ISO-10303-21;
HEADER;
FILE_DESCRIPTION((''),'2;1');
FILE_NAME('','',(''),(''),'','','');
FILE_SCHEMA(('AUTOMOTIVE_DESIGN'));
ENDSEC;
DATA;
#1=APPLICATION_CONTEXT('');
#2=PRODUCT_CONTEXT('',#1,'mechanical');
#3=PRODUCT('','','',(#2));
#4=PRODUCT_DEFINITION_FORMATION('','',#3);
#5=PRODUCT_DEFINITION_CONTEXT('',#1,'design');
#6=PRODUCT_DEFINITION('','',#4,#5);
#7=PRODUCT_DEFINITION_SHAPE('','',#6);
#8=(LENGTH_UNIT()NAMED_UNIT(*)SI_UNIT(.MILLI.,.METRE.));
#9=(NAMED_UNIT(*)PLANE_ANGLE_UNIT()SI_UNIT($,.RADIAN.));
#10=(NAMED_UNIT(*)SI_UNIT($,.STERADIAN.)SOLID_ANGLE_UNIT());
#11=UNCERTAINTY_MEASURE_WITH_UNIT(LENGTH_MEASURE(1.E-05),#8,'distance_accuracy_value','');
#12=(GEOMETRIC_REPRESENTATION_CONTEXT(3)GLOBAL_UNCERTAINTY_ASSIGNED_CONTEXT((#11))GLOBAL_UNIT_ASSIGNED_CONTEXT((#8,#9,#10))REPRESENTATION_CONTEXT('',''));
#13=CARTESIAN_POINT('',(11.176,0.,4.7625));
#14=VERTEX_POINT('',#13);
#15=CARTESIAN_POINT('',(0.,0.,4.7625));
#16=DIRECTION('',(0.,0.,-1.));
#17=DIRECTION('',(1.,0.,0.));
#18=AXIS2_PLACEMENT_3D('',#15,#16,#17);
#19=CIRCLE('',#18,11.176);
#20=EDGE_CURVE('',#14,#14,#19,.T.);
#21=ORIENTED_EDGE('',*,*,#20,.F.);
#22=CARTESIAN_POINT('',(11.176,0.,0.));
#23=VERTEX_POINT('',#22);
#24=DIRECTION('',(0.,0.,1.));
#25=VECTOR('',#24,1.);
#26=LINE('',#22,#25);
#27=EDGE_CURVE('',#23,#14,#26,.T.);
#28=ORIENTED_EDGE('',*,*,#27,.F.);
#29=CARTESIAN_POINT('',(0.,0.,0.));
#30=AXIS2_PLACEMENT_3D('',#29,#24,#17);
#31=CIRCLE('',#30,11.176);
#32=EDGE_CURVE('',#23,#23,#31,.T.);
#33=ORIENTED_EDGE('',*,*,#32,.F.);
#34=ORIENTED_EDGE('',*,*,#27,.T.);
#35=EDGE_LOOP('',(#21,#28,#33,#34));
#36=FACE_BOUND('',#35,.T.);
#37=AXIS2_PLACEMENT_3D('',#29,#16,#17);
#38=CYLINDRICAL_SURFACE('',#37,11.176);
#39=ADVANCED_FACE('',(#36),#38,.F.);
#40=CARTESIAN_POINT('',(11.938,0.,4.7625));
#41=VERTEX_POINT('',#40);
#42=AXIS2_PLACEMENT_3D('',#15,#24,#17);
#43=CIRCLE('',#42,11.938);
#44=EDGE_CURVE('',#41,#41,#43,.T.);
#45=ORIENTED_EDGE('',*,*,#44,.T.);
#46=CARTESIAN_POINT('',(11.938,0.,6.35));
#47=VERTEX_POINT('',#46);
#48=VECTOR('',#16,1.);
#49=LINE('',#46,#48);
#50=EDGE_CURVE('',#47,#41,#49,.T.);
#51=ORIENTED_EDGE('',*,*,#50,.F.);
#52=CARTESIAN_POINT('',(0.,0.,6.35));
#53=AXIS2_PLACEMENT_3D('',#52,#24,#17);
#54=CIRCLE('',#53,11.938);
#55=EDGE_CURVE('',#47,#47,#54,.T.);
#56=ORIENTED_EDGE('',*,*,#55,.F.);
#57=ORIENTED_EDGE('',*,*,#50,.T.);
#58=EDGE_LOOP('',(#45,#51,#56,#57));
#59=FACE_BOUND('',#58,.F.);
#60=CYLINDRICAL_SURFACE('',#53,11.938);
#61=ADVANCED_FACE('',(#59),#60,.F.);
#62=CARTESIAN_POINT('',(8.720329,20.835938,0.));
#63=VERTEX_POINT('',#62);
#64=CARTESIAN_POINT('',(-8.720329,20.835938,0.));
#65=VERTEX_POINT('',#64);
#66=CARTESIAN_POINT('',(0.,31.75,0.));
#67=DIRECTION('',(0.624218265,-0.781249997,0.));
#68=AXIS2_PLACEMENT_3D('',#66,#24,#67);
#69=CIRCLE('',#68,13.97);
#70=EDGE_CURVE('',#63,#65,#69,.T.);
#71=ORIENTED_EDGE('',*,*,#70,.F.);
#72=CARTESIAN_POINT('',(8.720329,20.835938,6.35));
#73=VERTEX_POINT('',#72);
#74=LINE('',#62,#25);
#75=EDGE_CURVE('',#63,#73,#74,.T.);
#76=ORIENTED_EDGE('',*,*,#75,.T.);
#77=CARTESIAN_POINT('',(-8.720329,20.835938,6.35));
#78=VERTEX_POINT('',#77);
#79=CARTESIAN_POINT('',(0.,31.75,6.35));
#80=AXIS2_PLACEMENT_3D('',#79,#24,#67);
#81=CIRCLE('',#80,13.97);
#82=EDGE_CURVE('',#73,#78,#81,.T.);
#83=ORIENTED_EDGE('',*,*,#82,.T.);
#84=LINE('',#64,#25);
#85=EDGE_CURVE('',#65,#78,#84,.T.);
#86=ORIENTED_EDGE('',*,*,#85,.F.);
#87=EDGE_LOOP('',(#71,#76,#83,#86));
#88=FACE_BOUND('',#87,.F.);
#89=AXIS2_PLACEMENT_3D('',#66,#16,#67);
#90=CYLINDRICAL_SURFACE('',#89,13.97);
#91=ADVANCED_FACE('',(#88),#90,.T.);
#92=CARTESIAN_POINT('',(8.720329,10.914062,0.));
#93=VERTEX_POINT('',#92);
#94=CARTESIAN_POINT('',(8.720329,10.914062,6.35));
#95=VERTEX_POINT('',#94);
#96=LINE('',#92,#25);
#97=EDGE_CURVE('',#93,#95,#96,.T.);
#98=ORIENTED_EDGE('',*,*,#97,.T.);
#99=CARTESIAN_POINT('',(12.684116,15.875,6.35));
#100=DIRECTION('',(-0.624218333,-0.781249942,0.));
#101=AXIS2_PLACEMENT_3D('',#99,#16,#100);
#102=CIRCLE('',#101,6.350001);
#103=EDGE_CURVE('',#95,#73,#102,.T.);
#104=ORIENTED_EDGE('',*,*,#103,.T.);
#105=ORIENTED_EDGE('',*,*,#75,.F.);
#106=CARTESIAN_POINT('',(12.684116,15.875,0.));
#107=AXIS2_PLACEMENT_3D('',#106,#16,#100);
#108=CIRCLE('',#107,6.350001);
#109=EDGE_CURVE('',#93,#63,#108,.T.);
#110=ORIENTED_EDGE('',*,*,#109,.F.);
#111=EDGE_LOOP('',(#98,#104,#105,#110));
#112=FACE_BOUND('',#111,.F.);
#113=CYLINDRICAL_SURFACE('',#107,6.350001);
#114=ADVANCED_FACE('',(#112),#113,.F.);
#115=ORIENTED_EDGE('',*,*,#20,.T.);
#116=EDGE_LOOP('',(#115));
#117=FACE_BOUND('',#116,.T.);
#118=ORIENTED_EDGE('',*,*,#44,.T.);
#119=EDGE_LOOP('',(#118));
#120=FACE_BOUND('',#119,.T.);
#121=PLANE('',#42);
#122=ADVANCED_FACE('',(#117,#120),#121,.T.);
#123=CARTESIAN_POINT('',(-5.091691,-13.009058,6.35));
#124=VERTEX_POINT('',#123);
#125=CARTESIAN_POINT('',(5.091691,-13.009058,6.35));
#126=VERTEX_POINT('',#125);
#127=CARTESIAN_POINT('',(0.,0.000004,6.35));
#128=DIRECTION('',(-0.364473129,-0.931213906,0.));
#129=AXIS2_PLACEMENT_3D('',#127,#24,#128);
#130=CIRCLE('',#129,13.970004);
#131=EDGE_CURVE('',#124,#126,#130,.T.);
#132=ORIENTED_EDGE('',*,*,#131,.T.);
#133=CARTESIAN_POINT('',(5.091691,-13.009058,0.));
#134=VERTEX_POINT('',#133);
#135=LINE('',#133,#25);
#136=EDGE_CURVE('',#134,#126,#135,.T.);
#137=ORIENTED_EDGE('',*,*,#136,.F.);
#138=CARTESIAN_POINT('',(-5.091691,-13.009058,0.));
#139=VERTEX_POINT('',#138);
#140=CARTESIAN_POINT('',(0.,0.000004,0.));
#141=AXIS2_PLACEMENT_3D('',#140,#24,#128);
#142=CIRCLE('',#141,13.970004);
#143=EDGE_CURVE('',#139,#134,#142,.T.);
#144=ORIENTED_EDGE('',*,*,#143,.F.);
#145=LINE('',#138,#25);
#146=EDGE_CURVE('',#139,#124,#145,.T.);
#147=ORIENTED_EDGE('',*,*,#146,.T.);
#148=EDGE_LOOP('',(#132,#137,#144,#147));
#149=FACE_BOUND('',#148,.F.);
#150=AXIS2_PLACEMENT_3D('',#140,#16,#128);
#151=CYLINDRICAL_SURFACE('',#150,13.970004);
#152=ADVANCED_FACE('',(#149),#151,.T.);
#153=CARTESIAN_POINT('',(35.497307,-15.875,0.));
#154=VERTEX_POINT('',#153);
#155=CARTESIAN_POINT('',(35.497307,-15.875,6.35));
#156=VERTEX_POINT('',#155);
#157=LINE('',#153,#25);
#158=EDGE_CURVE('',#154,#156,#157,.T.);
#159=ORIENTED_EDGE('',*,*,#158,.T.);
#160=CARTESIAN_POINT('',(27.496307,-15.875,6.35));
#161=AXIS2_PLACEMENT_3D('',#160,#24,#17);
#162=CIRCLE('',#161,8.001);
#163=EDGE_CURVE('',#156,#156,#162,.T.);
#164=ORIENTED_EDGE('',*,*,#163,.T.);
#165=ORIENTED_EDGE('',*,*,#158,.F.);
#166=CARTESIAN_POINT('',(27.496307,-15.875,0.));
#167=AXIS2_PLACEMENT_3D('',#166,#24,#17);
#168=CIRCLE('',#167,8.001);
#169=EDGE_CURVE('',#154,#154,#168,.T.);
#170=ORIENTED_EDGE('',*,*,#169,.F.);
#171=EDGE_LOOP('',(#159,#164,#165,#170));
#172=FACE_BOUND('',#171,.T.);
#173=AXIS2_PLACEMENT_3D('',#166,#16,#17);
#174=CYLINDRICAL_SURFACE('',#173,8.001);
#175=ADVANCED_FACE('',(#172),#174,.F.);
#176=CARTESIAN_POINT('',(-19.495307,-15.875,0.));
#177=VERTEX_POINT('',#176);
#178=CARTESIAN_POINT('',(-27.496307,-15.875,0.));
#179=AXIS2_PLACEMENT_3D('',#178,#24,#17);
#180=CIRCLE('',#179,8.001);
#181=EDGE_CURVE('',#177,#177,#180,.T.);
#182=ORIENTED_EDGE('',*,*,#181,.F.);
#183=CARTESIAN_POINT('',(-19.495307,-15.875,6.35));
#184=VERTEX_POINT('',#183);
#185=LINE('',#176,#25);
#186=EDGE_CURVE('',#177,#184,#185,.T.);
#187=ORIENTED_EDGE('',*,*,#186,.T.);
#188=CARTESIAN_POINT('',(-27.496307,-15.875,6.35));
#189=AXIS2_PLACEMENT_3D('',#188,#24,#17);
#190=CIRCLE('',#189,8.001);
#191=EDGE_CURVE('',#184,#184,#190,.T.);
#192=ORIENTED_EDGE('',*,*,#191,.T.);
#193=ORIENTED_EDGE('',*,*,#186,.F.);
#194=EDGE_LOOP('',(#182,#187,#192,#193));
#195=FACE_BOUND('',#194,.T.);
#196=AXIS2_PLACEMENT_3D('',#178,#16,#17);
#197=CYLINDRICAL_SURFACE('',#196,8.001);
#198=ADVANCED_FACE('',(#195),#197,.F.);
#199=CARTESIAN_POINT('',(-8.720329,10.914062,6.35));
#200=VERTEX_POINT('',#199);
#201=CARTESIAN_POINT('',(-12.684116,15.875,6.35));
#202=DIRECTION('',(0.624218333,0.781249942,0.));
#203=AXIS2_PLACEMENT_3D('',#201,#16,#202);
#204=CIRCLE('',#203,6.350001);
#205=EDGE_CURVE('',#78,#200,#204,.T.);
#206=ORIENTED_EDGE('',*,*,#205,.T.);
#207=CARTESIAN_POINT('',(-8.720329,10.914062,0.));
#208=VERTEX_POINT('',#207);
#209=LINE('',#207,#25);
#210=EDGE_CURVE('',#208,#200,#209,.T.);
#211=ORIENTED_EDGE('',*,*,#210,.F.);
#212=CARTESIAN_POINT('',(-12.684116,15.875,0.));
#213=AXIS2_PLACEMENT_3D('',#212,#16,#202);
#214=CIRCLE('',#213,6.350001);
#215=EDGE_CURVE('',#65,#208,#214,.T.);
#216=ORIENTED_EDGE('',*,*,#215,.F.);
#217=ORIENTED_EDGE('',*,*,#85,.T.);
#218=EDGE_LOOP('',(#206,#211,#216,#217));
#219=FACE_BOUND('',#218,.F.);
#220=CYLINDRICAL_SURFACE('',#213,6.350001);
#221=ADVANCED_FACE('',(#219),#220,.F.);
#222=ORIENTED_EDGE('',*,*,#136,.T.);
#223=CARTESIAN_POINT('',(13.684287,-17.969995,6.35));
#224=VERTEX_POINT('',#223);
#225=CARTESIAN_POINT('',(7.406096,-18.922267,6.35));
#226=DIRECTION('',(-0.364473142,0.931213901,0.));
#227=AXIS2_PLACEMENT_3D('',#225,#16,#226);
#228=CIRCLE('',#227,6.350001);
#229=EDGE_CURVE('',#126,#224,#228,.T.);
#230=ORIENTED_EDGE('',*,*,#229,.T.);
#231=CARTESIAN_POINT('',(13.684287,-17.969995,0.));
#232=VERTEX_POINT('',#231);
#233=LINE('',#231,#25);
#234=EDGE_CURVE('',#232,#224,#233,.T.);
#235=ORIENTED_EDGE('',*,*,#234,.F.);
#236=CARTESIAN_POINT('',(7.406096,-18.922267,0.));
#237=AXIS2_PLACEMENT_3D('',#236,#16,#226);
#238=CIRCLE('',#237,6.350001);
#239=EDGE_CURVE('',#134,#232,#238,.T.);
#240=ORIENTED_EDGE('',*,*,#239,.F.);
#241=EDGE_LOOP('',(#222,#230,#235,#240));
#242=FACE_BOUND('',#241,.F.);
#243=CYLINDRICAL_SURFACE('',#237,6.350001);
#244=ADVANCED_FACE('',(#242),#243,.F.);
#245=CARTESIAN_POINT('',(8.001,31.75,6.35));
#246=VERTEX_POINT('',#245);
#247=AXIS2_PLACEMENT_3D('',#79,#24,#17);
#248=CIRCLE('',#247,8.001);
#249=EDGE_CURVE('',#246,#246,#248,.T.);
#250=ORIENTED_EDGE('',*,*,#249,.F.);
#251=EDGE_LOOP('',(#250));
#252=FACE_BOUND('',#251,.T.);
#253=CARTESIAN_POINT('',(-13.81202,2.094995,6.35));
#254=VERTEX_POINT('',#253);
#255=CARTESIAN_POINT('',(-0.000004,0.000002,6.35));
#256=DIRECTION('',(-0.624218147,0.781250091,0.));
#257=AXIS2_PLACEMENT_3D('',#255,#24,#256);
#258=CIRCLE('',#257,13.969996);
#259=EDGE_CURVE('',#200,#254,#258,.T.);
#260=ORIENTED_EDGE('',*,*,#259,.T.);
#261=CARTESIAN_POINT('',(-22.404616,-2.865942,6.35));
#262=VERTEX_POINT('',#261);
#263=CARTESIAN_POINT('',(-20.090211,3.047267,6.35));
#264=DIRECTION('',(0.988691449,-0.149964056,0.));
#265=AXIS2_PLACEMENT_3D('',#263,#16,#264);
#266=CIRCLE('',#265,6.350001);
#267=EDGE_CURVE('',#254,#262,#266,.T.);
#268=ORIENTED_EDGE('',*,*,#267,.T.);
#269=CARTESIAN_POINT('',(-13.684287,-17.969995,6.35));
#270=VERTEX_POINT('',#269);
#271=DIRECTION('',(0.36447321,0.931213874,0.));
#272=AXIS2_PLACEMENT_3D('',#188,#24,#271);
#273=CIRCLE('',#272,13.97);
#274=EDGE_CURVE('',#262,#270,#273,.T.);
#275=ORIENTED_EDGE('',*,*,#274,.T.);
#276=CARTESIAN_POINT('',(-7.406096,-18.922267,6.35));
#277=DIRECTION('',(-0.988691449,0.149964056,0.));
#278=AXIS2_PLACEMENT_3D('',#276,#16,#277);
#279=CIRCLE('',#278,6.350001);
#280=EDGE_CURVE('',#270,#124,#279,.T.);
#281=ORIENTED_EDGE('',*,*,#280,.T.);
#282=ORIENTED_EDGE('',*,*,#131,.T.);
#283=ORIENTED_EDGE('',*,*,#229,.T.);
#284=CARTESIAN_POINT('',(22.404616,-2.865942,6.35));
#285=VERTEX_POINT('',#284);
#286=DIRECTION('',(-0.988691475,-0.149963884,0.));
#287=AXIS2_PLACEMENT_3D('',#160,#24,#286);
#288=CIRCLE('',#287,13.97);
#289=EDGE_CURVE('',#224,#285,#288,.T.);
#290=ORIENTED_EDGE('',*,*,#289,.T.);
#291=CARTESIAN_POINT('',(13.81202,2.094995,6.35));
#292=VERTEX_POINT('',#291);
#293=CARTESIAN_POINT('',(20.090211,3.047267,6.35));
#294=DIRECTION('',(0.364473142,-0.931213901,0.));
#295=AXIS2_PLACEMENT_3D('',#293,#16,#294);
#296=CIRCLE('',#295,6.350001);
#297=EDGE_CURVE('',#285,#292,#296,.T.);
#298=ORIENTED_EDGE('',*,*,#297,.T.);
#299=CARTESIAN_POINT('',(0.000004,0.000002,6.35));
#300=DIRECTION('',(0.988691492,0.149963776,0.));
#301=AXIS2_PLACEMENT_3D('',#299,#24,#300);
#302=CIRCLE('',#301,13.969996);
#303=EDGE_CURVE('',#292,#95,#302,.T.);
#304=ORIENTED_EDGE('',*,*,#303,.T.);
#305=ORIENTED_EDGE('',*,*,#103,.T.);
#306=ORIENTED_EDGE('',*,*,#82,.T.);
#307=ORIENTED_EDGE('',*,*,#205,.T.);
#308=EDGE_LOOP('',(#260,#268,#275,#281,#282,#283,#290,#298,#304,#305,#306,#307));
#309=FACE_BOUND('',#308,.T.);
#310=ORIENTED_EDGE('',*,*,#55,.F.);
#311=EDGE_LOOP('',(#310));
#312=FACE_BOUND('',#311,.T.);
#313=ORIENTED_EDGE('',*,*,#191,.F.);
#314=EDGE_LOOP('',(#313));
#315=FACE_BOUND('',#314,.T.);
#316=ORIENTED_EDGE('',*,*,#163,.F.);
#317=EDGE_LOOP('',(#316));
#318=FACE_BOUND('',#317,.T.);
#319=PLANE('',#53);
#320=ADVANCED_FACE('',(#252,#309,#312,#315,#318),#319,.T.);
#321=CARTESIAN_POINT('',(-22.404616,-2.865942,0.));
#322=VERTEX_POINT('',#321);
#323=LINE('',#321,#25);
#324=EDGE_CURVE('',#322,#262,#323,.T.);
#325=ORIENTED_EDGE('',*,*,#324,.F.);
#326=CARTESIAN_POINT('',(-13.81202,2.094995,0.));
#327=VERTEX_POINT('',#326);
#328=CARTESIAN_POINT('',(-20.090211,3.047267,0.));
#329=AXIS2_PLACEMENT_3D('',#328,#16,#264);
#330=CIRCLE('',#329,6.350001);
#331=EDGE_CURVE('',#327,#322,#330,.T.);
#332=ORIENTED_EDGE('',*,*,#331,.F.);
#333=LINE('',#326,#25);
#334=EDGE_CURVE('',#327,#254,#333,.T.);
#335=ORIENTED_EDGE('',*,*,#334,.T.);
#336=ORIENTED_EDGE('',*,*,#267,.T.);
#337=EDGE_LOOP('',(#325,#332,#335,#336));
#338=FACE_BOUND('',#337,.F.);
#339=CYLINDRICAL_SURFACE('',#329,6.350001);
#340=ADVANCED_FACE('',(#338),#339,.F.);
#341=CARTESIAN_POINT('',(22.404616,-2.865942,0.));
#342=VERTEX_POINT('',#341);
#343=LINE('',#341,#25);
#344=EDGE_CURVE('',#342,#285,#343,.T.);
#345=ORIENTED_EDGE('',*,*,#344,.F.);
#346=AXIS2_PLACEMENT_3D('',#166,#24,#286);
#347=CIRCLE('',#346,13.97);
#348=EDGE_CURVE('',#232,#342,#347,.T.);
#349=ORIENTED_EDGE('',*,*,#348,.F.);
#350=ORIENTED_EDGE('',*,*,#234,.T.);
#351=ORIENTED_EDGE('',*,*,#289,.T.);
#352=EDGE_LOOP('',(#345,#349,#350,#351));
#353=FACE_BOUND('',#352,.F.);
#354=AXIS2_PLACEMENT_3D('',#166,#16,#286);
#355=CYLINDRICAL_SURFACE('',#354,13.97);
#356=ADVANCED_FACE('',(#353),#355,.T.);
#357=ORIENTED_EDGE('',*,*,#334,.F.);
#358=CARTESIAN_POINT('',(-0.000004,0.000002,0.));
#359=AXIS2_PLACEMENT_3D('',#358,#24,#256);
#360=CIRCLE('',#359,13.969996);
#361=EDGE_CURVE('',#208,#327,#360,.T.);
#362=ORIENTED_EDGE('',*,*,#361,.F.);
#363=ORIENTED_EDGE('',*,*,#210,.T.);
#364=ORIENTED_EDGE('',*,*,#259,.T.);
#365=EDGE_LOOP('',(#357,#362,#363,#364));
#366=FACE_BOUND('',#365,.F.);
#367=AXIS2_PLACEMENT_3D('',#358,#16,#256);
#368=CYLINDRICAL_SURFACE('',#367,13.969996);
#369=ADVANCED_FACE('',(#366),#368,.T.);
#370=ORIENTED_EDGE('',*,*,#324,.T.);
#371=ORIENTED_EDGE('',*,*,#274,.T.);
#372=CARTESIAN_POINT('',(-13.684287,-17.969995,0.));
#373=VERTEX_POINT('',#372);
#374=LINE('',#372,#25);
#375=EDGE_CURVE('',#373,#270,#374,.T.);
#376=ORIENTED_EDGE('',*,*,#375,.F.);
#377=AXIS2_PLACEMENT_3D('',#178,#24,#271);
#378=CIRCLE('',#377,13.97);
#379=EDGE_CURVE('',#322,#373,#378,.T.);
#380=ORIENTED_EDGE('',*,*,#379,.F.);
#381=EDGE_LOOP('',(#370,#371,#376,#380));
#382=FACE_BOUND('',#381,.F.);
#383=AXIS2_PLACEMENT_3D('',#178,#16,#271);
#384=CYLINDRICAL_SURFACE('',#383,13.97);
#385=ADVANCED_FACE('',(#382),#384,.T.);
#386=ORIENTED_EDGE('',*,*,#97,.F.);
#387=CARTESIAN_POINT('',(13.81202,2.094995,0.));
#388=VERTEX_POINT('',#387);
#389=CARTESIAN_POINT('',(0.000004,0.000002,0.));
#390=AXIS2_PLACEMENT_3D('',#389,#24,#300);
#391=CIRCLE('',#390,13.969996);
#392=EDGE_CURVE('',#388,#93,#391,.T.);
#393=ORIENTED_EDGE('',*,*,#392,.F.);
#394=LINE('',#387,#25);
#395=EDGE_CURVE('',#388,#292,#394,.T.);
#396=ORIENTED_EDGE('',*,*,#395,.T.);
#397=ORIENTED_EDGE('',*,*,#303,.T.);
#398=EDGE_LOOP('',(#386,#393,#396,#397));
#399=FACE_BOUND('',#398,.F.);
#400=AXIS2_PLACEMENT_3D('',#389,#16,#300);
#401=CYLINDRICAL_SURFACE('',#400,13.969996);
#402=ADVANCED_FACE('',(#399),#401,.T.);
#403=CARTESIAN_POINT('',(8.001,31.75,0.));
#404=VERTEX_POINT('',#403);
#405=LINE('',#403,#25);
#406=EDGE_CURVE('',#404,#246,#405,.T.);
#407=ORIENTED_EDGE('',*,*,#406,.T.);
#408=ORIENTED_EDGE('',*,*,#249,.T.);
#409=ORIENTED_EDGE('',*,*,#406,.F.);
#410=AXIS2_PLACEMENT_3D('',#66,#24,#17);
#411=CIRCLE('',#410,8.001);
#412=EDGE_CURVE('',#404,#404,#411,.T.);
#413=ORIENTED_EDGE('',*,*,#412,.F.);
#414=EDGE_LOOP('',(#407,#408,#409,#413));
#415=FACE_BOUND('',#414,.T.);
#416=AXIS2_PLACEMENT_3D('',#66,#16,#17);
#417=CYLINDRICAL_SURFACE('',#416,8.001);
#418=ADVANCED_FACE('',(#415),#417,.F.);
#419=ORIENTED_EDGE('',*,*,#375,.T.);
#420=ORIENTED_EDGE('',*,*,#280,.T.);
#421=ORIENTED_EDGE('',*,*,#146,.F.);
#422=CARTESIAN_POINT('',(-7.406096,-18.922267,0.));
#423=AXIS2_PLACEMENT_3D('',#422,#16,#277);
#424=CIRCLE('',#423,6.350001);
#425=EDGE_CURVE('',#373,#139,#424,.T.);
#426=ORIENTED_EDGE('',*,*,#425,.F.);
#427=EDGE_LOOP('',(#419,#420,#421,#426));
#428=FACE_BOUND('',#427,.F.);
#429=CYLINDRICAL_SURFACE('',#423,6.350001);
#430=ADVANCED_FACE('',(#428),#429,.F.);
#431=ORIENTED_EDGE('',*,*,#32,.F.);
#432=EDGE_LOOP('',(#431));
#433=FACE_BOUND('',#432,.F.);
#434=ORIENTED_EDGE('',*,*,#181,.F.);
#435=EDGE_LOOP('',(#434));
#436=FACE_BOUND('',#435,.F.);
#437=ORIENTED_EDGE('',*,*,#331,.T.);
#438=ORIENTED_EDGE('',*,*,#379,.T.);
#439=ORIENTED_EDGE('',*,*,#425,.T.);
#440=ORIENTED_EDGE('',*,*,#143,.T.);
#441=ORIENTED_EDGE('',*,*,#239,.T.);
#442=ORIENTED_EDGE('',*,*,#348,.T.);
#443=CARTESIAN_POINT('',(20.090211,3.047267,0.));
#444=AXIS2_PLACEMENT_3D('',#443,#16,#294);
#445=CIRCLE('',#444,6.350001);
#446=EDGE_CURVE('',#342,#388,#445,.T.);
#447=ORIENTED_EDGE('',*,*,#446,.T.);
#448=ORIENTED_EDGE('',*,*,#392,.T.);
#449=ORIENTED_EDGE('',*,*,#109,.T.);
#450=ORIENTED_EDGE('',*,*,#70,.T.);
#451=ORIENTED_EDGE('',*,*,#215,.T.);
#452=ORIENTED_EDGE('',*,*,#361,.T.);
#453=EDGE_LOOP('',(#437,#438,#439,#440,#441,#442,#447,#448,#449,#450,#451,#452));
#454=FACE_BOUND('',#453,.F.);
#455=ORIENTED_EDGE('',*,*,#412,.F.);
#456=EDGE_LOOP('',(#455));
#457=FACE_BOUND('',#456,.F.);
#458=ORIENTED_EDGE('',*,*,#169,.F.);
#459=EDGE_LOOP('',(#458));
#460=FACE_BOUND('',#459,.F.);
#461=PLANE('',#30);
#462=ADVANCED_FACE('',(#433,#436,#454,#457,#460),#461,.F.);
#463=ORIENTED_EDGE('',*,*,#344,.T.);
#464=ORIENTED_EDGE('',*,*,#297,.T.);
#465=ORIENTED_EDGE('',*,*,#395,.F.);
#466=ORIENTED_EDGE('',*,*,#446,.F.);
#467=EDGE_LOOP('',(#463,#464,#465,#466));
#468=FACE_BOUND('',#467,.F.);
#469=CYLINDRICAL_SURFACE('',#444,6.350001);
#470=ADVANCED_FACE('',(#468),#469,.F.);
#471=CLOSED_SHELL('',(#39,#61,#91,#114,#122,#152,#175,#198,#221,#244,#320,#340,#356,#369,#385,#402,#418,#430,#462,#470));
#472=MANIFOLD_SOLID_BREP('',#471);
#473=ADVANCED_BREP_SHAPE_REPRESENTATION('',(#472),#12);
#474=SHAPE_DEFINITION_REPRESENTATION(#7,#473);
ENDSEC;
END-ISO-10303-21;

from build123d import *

# Parameters (mm, degrees)
F0_R     = 8.001
F0_R_2   = 11.176
F1_DEPTH = 6.35
F2_R     = 11.938
F3_DEPTH = 1.5875


with BuildPart() as f1:
    # F0 (on Top) → F1 (new body)
    with BuildSketch(Plane.XY):
        with BuildLine():
            ThreePointArc((-8.720329, 20.835938), (-6.334115, 15.875), (-8.720329, 10.914062))
            ThreePointArc((-8.720329, 10.914062), (-12.098375, 6.985), (-13.81202, 2.094995))
            ThreePointArc((-13.81202, 2.094995), (-16.915211, -2.451995), (-22.404616, -2.865942))
            ThreePointArc((-22.404616, -2.865942), (-39.594681, -22.86), (-13.684287, -17.969995))
            ThreePointArc((-13.684287, -17.969995), (-10.581096, -13.423005), (-5.091691, -13.009058))
            ThreePointArc((-5.091691, -13.009058), (0, -13.97), (5.091691, -13.009058))
            ThreePointArc((5.091691, -13.009058), (10.581096, -13.423005), (13.684287, -17.969995))
            ThreePointArc((13.684287, -17.969995), (39.594681, -22.86), (22.404616, -2.865942))
            ThreePointArc((22.404616, -2.865942), (16.915211, -2.451995), (13.81202, 2.094995))
            ThreePointArc((13.81202, 2.094995), (12.098375, 6.985), (8.720329, 10.914062))
            ThreePointArc((8.720329, 10.914062), (6.334115, 15.875), (8.720329, 20.835938))
            ThreePointArc((8.720329, 20.835938), (0, 45.72), (-8.720329, 20.835938))
        make_face()
        with Locations((-27.496307, -15.875)):
            Circle(F0_R, mode=Mode.SUBTRACT)
        with Locations((27.496307, -15.875)):
            Circle(F0_R, mode=Mode.SUBTRACT)
        Circle(F0_R_2, mode=Mode.SUBTRACT)
        with Locations((0, 31.75)):
            Circle(F0_R, mode=Mode.SUBTRACT)
    extrude(amount=F1_DEPTH)

    # F2 (on face) → F3 (cut)
    with BuildSketch(Plane.XY.offset(6.35)):
        Circle(F2_R)
    extrude(amount=-F3_DEPTH, mode=Mode.SUBTRACT)


solid = f1.part
